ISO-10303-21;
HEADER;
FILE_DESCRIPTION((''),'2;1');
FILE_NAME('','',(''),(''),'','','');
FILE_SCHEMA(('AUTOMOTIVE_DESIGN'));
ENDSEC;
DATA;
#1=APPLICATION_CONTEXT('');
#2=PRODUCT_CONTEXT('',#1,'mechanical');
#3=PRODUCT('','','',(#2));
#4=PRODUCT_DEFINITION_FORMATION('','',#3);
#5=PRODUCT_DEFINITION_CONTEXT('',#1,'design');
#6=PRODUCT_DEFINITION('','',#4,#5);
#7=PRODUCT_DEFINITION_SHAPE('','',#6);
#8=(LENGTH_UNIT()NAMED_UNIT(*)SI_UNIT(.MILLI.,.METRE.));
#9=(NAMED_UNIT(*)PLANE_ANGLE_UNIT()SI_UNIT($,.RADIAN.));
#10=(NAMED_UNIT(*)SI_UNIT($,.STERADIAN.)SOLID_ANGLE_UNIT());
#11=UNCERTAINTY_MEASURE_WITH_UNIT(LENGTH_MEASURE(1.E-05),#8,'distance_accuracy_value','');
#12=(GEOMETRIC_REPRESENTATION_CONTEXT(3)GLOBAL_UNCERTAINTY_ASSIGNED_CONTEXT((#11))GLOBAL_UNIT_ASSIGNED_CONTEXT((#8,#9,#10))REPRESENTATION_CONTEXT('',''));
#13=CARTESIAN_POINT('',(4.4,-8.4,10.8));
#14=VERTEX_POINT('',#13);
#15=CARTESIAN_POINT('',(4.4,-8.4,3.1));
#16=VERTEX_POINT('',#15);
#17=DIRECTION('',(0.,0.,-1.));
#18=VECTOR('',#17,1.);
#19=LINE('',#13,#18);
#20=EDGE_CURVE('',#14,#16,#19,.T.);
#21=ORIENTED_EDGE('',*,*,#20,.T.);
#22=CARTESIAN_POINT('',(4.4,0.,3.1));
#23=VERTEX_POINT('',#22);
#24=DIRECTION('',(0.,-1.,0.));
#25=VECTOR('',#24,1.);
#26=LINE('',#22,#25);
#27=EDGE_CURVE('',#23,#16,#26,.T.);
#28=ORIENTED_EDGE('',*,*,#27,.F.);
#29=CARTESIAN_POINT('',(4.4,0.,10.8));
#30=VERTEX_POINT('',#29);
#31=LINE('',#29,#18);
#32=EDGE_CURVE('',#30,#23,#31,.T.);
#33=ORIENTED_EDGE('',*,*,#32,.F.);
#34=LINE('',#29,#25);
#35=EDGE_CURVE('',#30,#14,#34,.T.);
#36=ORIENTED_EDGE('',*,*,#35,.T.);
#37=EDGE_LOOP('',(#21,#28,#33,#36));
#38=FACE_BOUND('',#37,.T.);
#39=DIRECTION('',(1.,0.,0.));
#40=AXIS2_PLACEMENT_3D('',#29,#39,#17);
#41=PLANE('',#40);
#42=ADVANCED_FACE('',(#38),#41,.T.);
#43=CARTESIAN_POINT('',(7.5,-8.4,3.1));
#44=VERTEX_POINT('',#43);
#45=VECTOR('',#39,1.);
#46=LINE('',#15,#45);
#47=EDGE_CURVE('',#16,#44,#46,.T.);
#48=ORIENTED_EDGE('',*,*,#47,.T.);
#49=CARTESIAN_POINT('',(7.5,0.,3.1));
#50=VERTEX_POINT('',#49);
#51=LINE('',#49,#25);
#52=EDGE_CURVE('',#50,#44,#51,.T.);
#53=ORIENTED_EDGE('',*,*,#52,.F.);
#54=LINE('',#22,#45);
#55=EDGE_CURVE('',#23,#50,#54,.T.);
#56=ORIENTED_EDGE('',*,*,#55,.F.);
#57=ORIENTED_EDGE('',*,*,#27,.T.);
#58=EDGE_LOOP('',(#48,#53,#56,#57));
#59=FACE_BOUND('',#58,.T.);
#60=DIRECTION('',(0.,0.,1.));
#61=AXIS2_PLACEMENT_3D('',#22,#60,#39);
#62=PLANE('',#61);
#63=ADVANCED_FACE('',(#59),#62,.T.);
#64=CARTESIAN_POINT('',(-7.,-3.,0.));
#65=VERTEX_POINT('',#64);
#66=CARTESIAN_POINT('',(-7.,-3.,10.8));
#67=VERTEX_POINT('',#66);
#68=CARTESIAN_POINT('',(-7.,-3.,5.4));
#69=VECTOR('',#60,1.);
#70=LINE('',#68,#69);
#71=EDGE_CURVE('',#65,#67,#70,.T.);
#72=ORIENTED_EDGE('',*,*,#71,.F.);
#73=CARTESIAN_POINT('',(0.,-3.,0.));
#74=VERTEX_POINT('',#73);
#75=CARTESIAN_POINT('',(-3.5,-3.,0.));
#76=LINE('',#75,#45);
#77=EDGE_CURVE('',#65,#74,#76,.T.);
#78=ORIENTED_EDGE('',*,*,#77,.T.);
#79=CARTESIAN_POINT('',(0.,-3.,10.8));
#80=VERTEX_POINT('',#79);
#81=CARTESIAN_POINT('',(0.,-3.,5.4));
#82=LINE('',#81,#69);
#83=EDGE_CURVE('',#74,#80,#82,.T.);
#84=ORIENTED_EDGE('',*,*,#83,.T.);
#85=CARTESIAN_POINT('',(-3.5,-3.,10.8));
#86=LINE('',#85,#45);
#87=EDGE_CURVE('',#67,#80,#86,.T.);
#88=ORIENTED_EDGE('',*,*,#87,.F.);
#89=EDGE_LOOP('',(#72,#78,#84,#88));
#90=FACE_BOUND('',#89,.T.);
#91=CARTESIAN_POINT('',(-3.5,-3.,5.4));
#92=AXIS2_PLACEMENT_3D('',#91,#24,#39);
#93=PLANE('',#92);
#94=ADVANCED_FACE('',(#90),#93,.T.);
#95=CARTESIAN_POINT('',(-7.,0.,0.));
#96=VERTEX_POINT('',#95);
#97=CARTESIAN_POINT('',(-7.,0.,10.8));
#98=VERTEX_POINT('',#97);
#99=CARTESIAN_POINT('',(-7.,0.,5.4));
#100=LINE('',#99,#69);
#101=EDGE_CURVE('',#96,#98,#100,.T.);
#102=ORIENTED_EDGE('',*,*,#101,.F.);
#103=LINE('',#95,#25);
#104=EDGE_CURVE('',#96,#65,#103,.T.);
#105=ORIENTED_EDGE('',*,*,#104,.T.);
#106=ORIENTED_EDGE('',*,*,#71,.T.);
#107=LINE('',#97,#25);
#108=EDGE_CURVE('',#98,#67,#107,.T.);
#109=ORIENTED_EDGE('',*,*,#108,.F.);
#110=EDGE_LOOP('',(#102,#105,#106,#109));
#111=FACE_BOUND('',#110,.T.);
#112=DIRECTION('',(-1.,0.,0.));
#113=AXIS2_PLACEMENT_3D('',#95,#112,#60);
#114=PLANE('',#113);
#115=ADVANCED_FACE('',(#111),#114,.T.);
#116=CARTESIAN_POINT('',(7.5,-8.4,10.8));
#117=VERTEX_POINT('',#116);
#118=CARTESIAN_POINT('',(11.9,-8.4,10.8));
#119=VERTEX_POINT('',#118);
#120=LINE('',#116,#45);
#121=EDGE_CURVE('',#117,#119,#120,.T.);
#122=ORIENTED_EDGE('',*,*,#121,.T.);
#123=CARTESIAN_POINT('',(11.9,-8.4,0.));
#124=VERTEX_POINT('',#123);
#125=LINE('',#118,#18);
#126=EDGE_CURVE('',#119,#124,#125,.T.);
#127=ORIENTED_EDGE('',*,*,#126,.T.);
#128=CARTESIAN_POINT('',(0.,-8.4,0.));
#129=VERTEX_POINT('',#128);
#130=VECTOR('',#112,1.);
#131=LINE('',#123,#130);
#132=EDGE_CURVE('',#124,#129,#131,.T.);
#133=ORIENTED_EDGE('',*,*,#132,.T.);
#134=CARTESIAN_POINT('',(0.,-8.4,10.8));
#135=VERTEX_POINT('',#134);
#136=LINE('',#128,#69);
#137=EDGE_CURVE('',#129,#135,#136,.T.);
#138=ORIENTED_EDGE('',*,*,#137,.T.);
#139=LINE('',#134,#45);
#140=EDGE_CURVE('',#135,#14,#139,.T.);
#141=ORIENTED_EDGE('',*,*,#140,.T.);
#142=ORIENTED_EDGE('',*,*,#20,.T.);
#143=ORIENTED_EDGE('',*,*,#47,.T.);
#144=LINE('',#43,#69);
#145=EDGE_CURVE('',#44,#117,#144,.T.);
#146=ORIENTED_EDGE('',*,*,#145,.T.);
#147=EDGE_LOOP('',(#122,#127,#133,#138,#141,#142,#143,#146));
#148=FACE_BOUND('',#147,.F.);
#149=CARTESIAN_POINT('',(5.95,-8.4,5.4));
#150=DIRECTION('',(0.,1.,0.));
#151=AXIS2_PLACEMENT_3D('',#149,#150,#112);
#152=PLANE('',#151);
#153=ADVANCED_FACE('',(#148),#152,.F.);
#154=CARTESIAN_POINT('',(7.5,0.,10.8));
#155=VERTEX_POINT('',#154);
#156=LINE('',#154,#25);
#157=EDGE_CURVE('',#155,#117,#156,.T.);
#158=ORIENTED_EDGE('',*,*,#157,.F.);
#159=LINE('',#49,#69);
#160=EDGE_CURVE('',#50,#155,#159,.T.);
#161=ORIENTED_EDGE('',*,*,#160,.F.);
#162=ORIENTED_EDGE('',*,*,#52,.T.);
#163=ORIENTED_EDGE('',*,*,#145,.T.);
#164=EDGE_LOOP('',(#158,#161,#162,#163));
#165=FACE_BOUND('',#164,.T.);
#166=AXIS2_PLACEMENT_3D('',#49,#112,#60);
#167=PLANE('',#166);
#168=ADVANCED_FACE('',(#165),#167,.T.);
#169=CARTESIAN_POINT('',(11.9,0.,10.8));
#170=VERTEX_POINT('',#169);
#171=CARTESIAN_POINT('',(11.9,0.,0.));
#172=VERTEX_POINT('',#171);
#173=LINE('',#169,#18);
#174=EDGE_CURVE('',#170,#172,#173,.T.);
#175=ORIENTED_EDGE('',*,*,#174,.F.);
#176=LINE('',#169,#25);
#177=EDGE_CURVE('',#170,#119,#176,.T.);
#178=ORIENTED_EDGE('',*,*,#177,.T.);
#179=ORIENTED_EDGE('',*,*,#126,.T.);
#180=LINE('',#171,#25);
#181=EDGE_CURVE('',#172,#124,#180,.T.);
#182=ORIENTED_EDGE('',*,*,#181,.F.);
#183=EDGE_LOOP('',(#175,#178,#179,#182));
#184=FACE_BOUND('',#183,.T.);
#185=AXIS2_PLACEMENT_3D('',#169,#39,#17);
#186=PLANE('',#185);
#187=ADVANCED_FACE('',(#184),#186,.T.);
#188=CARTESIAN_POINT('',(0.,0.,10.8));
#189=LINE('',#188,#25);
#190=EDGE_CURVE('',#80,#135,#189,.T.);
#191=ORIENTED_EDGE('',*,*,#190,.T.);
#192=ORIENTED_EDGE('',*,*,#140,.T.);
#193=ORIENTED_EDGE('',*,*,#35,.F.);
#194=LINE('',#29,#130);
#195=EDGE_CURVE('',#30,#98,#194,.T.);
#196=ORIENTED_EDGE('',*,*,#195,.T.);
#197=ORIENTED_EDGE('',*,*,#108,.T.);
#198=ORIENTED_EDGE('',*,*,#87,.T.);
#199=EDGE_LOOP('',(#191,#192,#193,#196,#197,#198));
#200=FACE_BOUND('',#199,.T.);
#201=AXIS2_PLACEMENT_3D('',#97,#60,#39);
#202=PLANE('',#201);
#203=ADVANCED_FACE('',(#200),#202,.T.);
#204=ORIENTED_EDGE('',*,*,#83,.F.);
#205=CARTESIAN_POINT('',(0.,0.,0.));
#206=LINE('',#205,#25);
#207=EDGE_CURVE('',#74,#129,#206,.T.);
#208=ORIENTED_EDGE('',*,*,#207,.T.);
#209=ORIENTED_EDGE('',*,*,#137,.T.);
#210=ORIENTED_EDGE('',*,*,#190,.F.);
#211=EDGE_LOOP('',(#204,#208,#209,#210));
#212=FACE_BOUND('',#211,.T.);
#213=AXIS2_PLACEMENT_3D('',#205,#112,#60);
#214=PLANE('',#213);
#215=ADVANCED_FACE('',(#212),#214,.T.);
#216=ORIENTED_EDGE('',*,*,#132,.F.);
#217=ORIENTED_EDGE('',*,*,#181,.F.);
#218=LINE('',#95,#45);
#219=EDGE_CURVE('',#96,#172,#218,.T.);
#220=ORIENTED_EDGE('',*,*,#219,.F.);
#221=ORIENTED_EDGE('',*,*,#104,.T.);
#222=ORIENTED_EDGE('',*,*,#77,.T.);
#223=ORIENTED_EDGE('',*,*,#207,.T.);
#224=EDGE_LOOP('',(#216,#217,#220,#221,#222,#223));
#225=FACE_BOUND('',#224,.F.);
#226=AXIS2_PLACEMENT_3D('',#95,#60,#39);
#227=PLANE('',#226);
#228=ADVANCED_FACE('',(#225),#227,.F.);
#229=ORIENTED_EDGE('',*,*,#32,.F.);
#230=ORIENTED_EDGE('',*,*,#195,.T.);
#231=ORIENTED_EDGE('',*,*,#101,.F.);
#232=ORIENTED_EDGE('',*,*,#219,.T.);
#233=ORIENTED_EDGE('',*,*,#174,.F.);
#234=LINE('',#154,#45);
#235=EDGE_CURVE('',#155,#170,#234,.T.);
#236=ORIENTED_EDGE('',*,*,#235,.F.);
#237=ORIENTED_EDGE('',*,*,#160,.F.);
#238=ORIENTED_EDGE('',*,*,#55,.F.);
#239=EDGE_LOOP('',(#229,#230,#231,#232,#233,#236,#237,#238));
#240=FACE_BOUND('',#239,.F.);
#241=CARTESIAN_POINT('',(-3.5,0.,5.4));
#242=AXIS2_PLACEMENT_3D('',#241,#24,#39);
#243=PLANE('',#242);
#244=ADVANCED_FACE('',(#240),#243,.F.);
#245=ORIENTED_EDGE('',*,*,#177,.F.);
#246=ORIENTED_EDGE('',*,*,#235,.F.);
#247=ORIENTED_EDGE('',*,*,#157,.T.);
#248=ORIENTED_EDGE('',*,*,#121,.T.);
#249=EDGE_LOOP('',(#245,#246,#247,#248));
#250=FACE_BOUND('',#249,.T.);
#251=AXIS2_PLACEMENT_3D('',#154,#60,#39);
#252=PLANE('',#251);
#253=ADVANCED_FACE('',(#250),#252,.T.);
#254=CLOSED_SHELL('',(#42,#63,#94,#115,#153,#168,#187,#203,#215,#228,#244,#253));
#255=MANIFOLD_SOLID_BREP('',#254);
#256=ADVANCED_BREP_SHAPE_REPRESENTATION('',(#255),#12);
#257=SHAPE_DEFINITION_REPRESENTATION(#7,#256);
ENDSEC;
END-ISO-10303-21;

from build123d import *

# Parameters (mm, degrees)
PAD001_DEPTH = 8.4
SKETCH001_W  = 7
SKETCH001_H  = 10.8
PAD_DEPTH    = 3


with BuildPart() as part:
    # Sketch → Pad001 (new body)
    with BuildSketch(Plane.XZ):
        Polygon((0, 0), (0, 10.8), (4.4, 10.8), (4.4, 3.1), (7.5, 3.1), (7.5, 10.8), (11.9, 10.8), (11.9, 0), align=None)
    extrude(amount=PAD001_DEPTH)

    # Sketch001 → Pad (join)
    with BuildSketch(Plane.XZ):
        with Locations((-3.5, 5.4)):
            Rectangle(SKETCH001_W, SKETCH001_H)
    extrude(amount=PAD_DEPTH)


solid = part.part
